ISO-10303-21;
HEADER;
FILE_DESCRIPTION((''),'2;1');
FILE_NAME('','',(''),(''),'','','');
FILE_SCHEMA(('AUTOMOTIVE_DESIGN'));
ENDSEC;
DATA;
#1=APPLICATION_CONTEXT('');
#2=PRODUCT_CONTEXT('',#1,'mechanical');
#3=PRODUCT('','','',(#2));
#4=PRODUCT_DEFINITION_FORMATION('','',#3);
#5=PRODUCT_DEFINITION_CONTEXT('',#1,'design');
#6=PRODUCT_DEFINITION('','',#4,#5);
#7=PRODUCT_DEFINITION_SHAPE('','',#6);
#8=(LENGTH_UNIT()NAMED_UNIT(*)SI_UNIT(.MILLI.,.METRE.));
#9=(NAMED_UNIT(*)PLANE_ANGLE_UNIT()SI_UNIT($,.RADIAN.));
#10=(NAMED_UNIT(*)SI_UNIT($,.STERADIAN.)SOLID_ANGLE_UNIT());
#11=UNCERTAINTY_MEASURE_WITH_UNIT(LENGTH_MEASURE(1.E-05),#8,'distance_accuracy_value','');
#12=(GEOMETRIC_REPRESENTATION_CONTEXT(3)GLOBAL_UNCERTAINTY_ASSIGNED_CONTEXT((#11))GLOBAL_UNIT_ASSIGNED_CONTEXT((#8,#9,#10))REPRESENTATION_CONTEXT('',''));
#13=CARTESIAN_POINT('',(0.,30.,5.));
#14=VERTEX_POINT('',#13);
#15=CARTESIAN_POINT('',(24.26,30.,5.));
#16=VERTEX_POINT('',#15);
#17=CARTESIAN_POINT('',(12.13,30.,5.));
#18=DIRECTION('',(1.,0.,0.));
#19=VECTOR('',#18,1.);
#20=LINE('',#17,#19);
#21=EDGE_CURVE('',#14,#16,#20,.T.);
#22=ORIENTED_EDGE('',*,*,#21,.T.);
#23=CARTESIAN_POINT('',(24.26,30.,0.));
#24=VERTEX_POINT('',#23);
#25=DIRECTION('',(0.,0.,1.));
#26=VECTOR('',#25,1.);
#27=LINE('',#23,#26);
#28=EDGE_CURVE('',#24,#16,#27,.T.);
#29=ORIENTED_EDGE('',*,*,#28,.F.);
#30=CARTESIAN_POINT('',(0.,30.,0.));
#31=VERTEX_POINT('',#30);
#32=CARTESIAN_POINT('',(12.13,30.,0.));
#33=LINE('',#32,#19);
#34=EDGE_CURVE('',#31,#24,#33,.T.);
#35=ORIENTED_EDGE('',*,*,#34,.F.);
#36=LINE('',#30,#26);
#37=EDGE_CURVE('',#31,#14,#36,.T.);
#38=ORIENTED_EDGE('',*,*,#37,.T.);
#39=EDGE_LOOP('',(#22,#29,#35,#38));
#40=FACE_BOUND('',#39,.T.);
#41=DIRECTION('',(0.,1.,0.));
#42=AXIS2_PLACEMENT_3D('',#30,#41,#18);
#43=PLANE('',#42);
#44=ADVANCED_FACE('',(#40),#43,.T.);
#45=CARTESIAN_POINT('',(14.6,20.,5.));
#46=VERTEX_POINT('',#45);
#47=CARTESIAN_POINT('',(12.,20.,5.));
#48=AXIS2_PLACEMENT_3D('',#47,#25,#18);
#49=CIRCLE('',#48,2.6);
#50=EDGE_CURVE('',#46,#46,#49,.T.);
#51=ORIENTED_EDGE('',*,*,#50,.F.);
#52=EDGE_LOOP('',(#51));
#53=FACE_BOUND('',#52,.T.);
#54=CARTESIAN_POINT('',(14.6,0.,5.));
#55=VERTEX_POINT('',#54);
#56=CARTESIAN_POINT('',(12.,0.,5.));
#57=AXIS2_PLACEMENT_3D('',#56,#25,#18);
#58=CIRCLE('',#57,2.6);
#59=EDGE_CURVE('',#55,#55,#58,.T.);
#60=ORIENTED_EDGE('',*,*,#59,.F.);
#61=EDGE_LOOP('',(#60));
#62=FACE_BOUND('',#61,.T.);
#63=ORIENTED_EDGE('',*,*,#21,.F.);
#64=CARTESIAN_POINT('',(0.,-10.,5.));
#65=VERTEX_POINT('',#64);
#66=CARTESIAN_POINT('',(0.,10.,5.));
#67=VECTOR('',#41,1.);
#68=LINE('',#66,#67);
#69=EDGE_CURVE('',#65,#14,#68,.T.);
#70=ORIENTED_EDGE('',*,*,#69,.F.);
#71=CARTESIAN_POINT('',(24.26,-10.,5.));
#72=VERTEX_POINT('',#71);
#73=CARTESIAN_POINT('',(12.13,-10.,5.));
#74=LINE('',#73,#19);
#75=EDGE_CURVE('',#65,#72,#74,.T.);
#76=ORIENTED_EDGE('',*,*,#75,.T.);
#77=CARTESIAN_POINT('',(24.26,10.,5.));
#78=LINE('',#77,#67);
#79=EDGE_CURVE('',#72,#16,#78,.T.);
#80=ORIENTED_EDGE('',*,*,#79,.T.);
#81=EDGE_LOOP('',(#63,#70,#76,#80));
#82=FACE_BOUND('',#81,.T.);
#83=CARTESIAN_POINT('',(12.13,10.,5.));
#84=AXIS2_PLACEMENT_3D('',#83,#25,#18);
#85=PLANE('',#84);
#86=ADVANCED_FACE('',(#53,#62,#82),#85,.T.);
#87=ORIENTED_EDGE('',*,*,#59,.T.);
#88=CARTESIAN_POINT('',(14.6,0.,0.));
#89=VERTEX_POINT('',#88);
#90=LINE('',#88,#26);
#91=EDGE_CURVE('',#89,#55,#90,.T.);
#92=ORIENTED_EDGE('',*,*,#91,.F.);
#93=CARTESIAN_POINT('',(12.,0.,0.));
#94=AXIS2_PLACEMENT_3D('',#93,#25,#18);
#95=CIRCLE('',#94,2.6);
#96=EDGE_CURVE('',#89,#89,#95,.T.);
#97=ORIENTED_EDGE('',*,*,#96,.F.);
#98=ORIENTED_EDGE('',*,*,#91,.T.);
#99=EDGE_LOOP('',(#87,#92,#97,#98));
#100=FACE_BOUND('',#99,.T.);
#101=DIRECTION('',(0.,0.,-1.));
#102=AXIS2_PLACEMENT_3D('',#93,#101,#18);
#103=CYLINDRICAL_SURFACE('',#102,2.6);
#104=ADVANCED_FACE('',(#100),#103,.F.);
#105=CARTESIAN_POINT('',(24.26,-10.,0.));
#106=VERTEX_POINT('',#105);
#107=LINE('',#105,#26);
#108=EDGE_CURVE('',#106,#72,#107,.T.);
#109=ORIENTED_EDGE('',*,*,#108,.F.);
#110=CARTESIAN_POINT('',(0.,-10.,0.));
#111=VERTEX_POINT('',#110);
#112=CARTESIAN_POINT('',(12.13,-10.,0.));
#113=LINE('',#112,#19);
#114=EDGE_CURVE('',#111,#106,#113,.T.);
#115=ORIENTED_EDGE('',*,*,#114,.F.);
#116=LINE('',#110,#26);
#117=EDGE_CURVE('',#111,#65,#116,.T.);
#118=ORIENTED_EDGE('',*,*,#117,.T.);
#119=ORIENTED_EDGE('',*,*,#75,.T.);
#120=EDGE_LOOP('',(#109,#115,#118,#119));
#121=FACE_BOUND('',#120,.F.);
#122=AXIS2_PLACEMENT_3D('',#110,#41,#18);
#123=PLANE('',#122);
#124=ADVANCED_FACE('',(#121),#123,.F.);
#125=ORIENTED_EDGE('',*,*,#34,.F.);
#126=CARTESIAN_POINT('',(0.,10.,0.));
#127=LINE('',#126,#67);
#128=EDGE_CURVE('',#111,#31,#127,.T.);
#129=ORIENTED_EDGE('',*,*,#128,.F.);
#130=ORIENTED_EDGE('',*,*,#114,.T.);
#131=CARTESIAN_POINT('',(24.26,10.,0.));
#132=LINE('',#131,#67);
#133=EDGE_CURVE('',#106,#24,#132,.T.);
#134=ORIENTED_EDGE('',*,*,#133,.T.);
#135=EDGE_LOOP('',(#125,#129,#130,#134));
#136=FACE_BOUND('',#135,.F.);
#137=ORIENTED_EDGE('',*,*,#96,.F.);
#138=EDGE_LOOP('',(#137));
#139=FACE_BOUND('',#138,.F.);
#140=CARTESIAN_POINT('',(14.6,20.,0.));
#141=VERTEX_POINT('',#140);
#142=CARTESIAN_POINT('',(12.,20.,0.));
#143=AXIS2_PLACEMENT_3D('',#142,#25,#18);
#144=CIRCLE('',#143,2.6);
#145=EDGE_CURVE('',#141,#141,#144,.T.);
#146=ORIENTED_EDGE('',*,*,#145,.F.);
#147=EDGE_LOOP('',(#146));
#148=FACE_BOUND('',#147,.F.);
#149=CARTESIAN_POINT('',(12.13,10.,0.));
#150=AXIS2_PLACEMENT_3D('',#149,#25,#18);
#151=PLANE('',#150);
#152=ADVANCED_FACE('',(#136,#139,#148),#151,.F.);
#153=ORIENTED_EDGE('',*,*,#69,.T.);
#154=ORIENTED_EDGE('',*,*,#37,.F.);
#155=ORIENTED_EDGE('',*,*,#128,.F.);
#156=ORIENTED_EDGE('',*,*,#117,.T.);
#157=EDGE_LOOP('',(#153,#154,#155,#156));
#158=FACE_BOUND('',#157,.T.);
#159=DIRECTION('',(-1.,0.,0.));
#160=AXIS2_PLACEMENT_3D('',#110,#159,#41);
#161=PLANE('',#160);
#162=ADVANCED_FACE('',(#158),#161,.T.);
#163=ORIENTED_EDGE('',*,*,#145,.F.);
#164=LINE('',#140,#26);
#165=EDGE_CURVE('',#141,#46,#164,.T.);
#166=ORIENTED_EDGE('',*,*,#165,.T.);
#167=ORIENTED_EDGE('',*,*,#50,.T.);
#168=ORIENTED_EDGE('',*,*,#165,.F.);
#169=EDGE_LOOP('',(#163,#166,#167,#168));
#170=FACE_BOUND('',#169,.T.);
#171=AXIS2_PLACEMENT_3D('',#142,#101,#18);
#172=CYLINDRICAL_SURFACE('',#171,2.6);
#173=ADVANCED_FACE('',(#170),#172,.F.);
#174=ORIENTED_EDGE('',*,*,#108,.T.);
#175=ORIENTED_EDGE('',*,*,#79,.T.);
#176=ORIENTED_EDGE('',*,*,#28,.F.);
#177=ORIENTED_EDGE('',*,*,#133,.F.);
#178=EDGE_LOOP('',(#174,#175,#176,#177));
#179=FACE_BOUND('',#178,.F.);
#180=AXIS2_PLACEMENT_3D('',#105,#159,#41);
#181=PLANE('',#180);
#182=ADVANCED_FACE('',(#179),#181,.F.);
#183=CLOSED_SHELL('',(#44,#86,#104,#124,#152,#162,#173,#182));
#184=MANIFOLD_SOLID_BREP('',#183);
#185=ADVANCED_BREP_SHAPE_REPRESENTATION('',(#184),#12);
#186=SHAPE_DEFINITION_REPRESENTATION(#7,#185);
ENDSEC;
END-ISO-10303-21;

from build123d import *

# Parameters (mm, degrees)
SKETCH_W  = 24.26
SKETCH_H  = 40
SKETCH_R  = 2.6
PAD_DEPTH = 5


with BuildPart() as part:
    # Sketch → Pad (new body)
    with BuildSketch(Plane.XY):
        with Locations((12.13, 10)):
            Rectangle(SKETCH_W, SKETCH_H)
        with Locations((12, 20)):
            Circle(SKETCH_R, mode=Mode.SUBTRACT)
        with Locations((12, 0)):
            Circle(SKETCH_R, mode=Mode.SUBTRACT)
    extrude(amount=PAD_DEPTH)


solid = part.part
